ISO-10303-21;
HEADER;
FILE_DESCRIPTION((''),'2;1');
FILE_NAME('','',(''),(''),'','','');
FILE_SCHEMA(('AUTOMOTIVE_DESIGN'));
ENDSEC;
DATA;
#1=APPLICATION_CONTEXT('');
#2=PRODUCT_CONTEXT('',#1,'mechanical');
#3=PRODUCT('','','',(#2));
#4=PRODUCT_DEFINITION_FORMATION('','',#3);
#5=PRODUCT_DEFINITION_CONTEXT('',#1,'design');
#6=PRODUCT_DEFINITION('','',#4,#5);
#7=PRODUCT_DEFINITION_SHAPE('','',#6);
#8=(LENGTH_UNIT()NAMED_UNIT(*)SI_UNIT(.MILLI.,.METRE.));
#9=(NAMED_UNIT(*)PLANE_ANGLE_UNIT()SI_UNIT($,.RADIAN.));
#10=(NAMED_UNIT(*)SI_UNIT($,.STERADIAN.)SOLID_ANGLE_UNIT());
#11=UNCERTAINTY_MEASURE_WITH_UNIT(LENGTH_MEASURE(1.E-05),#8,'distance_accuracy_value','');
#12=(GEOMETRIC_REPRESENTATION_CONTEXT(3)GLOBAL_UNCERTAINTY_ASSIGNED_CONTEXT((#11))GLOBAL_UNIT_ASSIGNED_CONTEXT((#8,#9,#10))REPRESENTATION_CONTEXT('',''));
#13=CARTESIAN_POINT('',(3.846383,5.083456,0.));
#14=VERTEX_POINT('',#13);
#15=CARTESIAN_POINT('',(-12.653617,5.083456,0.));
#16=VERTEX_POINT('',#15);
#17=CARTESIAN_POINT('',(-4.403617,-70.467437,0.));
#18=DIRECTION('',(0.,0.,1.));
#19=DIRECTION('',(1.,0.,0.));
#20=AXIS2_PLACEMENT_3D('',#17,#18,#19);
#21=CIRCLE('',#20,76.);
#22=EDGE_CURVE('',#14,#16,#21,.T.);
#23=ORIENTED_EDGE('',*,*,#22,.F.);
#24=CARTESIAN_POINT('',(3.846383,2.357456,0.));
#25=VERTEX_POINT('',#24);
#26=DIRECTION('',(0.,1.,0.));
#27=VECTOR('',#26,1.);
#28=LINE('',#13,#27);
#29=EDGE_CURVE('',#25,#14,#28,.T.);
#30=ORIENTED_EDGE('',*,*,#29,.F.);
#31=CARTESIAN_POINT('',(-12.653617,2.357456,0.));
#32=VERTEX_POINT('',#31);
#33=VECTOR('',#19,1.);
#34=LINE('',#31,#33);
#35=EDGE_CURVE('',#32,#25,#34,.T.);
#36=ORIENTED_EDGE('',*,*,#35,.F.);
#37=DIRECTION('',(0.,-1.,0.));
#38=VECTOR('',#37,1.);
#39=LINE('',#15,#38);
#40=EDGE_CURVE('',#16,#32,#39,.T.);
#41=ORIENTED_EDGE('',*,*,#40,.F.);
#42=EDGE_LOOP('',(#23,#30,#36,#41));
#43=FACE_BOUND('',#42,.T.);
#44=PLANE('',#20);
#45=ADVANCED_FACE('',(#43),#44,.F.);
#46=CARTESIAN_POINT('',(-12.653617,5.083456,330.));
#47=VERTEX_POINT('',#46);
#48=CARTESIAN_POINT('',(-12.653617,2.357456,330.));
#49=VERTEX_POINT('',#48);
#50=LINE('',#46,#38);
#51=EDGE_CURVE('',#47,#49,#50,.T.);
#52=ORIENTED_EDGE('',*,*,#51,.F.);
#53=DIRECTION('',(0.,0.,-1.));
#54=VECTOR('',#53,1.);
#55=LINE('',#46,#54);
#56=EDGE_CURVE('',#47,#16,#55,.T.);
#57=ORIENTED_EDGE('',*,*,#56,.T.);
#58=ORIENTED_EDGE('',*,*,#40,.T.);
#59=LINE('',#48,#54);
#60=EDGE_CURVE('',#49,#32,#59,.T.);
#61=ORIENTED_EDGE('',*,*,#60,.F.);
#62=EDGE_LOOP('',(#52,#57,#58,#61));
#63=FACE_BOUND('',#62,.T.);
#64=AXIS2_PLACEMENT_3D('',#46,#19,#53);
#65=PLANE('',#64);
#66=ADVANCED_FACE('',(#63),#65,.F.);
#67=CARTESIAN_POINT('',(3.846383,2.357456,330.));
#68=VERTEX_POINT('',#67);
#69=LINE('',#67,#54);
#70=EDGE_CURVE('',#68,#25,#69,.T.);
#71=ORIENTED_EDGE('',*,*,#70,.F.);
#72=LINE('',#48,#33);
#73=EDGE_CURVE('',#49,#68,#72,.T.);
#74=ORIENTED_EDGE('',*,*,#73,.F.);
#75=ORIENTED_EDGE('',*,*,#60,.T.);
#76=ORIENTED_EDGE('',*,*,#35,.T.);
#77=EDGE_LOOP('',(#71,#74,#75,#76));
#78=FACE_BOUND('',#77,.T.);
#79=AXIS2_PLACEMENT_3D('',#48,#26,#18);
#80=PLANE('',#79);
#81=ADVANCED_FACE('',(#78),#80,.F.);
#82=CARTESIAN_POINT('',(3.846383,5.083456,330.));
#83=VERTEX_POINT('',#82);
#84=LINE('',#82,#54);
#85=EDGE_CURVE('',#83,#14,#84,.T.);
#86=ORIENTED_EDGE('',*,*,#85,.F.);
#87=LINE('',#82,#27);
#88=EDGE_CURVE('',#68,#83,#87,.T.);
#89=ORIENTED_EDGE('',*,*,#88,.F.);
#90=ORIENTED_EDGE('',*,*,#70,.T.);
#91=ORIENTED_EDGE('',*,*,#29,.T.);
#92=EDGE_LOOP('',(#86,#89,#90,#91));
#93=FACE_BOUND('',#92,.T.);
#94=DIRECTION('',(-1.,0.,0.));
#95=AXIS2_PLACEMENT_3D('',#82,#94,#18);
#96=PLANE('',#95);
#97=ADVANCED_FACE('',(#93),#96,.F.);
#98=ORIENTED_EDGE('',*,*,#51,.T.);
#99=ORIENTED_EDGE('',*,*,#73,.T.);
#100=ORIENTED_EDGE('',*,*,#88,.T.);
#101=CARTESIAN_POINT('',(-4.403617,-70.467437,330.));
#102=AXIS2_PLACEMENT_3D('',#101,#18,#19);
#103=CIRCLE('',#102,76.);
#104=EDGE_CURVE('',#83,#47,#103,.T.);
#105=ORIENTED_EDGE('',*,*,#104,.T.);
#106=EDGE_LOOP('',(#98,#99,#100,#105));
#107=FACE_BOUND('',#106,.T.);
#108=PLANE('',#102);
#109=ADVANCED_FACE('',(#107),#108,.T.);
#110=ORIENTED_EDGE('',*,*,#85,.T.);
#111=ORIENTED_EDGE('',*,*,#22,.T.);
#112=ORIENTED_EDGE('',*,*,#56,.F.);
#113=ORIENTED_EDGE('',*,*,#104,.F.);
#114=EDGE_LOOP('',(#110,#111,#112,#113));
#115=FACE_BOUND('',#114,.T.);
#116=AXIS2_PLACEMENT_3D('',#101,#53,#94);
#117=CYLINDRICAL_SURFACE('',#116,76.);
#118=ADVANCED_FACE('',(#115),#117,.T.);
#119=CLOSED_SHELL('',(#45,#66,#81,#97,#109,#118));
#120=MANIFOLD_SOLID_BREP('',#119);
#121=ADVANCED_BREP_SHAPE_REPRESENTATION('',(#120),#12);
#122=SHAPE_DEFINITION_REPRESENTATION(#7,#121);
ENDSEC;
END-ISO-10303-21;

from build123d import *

# Parameters (mm, degrees)
AUFSATZ_LINEAR_AUSTRAGEN1_DEPTH = 330


with BuildPart() as part:
    # Skizze1 → Aufsatz-Linear austragen1 (new body)
    with BuildSketch(Plane.XY):
        with BuildLine():
            Line((-12.653617461, 5.083456237), (-12.653617461, 2.357456237))
            Line((-12.653617461, 2.357456237), (3.846382539, 2.357456237))
            Line((3.846382539, 2.357456237), (3.846382539, 5.083456237))
            ThreePointArc((3.846382539, 5.083456237), (-4.403617461, 5.532562794), (-12.653617461, 5.083456237))
        make_face()
    extrude(amount=AUFSATZ_LINEAR_AUSTRAGEN1_DEPTH)


solid = part.part
